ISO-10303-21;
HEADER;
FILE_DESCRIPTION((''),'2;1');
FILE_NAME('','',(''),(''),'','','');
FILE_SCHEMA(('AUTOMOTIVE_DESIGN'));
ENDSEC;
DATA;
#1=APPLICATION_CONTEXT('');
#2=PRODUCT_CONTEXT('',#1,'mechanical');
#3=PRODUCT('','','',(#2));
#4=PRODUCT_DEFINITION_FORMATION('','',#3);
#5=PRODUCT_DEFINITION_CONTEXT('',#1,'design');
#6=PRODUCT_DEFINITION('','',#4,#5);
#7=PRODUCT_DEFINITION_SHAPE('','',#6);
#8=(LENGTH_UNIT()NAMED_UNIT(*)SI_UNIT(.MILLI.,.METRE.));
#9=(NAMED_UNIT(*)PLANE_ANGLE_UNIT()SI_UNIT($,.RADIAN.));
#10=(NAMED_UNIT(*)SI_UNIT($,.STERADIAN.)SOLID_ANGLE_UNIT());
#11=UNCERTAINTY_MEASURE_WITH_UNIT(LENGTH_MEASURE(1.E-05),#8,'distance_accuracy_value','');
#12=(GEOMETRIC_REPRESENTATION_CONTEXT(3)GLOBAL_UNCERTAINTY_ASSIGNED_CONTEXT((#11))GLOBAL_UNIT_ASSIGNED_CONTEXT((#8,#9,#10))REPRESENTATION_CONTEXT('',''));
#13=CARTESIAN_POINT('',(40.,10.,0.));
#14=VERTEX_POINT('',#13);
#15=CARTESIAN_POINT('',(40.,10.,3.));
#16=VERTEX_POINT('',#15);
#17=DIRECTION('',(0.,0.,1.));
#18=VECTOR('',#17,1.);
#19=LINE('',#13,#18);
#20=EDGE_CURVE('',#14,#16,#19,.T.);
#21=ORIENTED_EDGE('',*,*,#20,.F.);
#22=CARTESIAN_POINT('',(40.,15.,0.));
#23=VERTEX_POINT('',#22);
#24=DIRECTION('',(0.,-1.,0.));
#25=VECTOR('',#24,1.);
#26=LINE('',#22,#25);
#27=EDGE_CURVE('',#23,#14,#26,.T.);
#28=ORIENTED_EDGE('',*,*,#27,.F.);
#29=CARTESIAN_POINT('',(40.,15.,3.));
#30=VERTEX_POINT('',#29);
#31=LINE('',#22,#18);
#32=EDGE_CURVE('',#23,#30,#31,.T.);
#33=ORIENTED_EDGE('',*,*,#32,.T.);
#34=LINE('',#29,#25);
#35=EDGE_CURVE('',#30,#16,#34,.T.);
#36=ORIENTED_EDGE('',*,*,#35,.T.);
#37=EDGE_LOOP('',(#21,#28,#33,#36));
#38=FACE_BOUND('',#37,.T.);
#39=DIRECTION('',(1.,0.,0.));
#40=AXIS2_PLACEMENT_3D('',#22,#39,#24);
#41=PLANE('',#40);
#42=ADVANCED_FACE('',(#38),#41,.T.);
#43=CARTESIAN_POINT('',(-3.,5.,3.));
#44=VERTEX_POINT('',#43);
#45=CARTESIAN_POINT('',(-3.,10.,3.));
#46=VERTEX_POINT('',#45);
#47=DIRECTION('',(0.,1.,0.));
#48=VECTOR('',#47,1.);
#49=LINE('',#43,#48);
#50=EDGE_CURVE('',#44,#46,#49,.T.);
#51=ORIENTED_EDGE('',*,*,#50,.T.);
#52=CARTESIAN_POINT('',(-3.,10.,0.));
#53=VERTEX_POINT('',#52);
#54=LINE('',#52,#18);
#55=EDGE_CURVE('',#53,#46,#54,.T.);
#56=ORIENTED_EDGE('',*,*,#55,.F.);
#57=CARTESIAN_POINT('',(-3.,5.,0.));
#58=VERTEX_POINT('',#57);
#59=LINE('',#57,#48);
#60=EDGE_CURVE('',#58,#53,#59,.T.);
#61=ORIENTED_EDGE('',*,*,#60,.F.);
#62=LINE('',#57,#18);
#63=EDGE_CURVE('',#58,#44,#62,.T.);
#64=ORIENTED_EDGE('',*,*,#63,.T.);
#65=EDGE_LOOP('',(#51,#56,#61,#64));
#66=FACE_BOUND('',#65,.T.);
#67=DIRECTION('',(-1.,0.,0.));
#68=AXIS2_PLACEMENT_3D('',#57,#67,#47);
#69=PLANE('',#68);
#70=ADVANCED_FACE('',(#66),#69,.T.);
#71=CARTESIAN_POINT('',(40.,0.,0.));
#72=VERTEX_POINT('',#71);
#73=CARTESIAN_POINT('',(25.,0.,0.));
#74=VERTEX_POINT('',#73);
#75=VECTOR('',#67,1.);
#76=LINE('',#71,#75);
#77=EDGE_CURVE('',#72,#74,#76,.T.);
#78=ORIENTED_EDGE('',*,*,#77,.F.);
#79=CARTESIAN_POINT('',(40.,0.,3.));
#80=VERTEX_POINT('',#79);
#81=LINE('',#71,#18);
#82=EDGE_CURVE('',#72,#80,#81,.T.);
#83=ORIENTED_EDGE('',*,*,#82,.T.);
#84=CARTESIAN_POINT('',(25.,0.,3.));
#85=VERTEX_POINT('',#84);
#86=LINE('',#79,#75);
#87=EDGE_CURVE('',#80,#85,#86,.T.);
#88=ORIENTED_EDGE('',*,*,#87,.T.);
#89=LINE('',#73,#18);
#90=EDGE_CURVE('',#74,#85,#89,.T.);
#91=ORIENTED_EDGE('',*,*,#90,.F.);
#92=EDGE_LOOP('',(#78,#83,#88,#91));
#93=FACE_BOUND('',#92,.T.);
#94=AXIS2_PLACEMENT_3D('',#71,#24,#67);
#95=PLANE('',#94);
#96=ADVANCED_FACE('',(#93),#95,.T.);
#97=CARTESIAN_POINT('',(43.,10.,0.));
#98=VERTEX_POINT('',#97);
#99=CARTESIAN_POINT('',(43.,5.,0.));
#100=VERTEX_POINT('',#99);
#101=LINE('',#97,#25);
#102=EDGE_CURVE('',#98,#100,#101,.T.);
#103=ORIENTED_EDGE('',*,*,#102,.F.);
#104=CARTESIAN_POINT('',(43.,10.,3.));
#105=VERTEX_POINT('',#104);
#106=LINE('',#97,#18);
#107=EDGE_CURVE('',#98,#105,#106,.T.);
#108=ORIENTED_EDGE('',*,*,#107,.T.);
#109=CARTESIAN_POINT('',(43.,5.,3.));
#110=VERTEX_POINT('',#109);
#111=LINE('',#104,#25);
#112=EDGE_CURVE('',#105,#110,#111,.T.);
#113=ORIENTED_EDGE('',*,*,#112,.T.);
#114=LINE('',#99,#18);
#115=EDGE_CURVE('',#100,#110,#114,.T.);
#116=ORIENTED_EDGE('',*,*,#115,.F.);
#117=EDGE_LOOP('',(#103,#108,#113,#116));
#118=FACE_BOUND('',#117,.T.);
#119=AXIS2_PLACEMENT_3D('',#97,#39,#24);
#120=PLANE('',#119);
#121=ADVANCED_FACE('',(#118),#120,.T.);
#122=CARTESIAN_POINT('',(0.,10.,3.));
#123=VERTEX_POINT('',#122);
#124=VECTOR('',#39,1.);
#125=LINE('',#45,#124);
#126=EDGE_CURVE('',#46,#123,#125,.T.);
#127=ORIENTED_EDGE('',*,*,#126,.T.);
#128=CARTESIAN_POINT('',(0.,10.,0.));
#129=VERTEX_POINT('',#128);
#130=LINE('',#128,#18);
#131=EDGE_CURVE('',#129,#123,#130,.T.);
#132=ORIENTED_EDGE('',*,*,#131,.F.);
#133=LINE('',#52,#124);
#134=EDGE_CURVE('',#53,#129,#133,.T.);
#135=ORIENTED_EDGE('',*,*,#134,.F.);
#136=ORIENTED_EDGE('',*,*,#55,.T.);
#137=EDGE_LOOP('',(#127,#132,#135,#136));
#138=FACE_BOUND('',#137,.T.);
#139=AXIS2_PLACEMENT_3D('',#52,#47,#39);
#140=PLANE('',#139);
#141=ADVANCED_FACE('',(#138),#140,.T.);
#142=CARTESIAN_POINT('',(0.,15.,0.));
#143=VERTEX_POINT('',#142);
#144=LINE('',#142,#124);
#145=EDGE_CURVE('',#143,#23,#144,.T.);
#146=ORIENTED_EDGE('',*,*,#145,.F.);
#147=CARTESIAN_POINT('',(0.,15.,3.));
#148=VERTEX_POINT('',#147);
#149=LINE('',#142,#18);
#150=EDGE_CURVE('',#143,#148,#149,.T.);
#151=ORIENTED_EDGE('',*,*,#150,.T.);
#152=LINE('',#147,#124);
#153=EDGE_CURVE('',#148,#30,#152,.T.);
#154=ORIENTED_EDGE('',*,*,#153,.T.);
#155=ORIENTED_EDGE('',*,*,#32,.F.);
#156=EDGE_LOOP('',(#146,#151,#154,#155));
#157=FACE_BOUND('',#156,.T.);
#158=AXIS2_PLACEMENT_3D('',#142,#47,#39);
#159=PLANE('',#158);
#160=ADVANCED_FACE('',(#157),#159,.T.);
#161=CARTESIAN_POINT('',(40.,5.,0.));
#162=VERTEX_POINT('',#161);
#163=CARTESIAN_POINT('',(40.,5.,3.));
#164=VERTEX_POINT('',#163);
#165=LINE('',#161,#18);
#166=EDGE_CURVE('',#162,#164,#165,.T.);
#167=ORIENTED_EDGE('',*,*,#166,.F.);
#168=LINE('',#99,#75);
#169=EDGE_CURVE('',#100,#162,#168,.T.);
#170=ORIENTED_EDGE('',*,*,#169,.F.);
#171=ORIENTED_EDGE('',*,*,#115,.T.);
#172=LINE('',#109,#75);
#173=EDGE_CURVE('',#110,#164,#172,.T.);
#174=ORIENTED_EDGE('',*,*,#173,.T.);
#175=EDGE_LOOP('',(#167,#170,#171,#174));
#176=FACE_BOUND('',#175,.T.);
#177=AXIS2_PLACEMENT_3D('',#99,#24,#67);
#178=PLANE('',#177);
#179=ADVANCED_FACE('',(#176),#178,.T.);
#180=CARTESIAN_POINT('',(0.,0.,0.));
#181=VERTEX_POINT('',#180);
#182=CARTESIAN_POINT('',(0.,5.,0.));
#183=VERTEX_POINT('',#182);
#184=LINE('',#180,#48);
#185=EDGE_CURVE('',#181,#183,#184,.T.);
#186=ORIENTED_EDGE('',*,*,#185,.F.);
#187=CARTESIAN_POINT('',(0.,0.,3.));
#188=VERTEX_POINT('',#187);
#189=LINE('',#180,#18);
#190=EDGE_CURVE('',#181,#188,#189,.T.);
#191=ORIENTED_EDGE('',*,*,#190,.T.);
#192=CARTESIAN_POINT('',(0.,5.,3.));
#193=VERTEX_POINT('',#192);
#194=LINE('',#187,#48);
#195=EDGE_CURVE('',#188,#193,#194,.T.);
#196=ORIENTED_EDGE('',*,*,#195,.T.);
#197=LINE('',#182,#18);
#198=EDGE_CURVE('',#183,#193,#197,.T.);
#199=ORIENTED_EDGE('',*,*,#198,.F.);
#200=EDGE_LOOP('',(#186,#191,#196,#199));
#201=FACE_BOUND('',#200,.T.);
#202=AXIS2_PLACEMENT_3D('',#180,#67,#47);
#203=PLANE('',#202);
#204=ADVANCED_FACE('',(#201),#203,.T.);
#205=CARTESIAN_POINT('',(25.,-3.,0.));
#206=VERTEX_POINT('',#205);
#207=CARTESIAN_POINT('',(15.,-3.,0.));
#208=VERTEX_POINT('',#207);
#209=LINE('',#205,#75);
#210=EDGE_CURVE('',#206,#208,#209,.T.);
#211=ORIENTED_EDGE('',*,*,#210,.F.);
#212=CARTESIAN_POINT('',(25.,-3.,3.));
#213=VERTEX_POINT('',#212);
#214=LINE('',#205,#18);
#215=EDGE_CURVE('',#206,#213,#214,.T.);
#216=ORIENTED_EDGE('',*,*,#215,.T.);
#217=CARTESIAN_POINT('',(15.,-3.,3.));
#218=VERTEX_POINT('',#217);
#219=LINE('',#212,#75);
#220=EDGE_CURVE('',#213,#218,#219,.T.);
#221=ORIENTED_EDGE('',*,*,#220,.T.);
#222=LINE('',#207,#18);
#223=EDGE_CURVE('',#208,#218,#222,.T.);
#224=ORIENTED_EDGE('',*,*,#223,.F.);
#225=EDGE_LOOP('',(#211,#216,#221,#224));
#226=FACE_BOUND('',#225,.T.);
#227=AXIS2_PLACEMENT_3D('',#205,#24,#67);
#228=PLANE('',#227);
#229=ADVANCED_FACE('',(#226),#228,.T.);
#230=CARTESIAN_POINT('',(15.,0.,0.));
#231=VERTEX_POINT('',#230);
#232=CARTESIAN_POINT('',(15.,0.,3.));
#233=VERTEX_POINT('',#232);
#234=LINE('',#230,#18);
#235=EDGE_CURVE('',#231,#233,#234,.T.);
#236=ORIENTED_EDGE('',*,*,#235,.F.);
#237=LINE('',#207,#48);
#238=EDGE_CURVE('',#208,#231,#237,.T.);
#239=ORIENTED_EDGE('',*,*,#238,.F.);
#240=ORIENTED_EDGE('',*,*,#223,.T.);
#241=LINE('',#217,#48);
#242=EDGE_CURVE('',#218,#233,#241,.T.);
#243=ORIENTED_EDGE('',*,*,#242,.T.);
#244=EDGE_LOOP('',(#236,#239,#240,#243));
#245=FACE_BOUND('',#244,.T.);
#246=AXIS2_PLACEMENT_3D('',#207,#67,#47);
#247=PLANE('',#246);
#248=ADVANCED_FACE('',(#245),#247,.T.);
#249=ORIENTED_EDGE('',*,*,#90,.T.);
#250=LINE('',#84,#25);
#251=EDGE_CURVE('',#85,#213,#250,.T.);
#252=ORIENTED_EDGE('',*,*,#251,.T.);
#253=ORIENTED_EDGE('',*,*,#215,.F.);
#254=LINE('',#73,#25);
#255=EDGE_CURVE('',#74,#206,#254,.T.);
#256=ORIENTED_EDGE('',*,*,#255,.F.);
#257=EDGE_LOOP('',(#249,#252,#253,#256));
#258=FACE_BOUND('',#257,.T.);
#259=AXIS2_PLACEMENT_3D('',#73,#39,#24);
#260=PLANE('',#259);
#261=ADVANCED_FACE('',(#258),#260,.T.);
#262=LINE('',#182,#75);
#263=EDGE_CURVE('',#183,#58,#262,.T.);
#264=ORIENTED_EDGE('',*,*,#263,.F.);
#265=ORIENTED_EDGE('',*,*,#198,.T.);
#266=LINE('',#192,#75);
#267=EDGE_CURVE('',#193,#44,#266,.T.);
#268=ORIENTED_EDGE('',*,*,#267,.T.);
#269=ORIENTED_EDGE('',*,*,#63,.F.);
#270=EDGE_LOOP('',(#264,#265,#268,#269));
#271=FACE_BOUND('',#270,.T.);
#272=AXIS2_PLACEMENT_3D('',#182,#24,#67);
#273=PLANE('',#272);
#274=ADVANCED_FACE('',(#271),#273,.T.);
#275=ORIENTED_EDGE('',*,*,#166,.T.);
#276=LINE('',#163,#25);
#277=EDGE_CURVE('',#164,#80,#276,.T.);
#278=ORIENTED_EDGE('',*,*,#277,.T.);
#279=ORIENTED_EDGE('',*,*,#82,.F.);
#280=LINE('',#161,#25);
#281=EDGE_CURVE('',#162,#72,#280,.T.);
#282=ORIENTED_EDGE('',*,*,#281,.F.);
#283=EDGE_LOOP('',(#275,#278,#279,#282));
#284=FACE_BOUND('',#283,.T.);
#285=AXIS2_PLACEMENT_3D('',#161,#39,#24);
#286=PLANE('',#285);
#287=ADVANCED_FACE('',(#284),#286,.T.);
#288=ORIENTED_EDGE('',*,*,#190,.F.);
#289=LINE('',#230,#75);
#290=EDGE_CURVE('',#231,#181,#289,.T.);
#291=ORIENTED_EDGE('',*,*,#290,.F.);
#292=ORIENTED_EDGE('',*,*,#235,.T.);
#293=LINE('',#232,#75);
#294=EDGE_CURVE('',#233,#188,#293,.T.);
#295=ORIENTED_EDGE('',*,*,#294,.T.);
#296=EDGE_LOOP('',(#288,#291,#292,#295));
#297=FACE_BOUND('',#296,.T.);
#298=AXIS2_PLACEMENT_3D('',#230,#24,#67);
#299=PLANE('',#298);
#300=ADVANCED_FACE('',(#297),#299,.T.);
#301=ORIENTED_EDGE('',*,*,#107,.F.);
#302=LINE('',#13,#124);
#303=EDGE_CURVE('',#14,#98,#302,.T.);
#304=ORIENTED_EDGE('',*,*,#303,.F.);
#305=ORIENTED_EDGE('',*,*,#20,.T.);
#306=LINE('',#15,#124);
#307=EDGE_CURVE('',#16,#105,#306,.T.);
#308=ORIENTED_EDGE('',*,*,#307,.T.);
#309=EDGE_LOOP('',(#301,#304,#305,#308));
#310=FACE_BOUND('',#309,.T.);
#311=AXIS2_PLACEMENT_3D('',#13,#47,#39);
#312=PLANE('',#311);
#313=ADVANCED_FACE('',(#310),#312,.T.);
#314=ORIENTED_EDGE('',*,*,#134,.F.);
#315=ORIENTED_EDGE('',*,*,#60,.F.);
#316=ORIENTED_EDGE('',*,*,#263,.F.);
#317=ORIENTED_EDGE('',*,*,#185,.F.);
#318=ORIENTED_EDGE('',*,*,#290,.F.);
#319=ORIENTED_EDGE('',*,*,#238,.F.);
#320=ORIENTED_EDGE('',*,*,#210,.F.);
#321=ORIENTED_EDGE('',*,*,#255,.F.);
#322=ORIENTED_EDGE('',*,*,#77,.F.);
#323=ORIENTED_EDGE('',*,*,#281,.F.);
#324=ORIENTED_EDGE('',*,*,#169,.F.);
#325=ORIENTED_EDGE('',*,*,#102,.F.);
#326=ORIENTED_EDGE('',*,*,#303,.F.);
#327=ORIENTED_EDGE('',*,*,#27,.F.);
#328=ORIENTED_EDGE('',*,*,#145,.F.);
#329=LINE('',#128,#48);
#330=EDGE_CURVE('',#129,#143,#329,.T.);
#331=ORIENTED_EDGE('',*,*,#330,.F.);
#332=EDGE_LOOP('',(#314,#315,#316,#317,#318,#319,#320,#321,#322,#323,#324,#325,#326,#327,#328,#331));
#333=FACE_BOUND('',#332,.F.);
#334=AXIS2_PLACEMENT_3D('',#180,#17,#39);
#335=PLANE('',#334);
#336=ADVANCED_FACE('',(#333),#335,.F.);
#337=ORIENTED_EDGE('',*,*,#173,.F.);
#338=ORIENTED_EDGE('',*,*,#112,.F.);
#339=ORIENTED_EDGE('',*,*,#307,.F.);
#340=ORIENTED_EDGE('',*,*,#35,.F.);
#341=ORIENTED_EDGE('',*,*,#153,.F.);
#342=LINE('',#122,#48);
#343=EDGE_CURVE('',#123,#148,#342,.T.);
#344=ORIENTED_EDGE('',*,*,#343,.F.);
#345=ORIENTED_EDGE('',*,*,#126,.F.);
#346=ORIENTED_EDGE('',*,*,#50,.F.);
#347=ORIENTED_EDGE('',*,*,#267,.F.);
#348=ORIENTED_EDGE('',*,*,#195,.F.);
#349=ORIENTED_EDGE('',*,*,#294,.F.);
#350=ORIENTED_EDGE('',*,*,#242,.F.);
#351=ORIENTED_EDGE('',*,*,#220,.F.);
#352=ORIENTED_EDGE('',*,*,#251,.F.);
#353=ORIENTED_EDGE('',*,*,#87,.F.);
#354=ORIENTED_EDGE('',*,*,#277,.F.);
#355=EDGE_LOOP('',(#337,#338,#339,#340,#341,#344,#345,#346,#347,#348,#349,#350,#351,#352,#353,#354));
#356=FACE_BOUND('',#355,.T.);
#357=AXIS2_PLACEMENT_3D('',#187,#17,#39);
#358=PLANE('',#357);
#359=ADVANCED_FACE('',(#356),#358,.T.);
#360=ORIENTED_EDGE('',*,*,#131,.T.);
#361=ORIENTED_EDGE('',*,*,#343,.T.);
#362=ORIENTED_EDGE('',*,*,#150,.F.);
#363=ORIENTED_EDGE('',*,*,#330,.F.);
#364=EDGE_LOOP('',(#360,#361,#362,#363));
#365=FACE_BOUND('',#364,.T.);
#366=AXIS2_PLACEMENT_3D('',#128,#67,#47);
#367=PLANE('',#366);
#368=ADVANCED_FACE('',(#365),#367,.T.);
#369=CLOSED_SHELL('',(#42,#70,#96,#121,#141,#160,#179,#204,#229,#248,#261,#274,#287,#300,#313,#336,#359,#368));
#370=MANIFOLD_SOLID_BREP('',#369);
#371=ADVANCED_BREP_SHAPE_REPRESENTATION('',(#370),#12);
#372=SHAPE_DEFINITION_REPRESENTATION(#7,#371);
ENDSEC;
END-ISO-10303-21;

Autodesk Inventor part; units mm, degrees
ref_plane "YZ Plane" through (0, 0, 0) normal (1, 0, 0) x (0, 1, 0)
ref_plane "XZ Plane" through (0, 0, 0) normal (0, 1, 0) x (-1, 0, 0)
ref_plane "XY Plane" through (0, 0, 0) normal (0, 0, 1) x (1, 0, 0)
sketch "Sketch1" plane through (0, 0, 0) normal (0, 0, 1) x (1, 0, 0)
  line L0 (0, 0) -> (0, 5)
  line L1 (0, 5) -> (-3, 5)
  line L2 (-3, 5) -> (-3, 10)
  line L3 (0, 15) -> (40, 15)
  line L4 (43, 10) -> (43, 5)
  line L5 (43, 5) -> (40, 5)
  line L6 (40, 5) -> (40, 0)
  line L7 (40, 0) -> (25, 0)
  line L8 (25, 0) -> (25, -3)
  line L9 (25, -3) -> (15, -3)
  line L10 (15, -3) -> (15, 0)
  line L11 (15, 0) -> (0, 0)
  line L12 (40, 15) -> (40, 10)
  line L13 (40, 10) -> (43, 10)
  line L14 (-3, 10) -> (0, 10)
  line L15 (0, 10) -> (0, 15)
  dimension "d3" = 3
  dimension "d5" = 15
  dimension "d6" = 3
  dimension "d7" = 10
  dimension "d8" = 3
  dimension "d9" = 15
  dimension "d14" = 5
  dimension "d15" = 15
  dimension "d16" = 5
  dimension "d17" = 5
  dimension "d18" = 5
  dimension "d19" = 3
  dimension "d20" = 3
extrude "Extrusion1" add sketch "Sketch1" along normal blind 3
properties part number "OpenROV_Dev_EChassis_Seperator"
